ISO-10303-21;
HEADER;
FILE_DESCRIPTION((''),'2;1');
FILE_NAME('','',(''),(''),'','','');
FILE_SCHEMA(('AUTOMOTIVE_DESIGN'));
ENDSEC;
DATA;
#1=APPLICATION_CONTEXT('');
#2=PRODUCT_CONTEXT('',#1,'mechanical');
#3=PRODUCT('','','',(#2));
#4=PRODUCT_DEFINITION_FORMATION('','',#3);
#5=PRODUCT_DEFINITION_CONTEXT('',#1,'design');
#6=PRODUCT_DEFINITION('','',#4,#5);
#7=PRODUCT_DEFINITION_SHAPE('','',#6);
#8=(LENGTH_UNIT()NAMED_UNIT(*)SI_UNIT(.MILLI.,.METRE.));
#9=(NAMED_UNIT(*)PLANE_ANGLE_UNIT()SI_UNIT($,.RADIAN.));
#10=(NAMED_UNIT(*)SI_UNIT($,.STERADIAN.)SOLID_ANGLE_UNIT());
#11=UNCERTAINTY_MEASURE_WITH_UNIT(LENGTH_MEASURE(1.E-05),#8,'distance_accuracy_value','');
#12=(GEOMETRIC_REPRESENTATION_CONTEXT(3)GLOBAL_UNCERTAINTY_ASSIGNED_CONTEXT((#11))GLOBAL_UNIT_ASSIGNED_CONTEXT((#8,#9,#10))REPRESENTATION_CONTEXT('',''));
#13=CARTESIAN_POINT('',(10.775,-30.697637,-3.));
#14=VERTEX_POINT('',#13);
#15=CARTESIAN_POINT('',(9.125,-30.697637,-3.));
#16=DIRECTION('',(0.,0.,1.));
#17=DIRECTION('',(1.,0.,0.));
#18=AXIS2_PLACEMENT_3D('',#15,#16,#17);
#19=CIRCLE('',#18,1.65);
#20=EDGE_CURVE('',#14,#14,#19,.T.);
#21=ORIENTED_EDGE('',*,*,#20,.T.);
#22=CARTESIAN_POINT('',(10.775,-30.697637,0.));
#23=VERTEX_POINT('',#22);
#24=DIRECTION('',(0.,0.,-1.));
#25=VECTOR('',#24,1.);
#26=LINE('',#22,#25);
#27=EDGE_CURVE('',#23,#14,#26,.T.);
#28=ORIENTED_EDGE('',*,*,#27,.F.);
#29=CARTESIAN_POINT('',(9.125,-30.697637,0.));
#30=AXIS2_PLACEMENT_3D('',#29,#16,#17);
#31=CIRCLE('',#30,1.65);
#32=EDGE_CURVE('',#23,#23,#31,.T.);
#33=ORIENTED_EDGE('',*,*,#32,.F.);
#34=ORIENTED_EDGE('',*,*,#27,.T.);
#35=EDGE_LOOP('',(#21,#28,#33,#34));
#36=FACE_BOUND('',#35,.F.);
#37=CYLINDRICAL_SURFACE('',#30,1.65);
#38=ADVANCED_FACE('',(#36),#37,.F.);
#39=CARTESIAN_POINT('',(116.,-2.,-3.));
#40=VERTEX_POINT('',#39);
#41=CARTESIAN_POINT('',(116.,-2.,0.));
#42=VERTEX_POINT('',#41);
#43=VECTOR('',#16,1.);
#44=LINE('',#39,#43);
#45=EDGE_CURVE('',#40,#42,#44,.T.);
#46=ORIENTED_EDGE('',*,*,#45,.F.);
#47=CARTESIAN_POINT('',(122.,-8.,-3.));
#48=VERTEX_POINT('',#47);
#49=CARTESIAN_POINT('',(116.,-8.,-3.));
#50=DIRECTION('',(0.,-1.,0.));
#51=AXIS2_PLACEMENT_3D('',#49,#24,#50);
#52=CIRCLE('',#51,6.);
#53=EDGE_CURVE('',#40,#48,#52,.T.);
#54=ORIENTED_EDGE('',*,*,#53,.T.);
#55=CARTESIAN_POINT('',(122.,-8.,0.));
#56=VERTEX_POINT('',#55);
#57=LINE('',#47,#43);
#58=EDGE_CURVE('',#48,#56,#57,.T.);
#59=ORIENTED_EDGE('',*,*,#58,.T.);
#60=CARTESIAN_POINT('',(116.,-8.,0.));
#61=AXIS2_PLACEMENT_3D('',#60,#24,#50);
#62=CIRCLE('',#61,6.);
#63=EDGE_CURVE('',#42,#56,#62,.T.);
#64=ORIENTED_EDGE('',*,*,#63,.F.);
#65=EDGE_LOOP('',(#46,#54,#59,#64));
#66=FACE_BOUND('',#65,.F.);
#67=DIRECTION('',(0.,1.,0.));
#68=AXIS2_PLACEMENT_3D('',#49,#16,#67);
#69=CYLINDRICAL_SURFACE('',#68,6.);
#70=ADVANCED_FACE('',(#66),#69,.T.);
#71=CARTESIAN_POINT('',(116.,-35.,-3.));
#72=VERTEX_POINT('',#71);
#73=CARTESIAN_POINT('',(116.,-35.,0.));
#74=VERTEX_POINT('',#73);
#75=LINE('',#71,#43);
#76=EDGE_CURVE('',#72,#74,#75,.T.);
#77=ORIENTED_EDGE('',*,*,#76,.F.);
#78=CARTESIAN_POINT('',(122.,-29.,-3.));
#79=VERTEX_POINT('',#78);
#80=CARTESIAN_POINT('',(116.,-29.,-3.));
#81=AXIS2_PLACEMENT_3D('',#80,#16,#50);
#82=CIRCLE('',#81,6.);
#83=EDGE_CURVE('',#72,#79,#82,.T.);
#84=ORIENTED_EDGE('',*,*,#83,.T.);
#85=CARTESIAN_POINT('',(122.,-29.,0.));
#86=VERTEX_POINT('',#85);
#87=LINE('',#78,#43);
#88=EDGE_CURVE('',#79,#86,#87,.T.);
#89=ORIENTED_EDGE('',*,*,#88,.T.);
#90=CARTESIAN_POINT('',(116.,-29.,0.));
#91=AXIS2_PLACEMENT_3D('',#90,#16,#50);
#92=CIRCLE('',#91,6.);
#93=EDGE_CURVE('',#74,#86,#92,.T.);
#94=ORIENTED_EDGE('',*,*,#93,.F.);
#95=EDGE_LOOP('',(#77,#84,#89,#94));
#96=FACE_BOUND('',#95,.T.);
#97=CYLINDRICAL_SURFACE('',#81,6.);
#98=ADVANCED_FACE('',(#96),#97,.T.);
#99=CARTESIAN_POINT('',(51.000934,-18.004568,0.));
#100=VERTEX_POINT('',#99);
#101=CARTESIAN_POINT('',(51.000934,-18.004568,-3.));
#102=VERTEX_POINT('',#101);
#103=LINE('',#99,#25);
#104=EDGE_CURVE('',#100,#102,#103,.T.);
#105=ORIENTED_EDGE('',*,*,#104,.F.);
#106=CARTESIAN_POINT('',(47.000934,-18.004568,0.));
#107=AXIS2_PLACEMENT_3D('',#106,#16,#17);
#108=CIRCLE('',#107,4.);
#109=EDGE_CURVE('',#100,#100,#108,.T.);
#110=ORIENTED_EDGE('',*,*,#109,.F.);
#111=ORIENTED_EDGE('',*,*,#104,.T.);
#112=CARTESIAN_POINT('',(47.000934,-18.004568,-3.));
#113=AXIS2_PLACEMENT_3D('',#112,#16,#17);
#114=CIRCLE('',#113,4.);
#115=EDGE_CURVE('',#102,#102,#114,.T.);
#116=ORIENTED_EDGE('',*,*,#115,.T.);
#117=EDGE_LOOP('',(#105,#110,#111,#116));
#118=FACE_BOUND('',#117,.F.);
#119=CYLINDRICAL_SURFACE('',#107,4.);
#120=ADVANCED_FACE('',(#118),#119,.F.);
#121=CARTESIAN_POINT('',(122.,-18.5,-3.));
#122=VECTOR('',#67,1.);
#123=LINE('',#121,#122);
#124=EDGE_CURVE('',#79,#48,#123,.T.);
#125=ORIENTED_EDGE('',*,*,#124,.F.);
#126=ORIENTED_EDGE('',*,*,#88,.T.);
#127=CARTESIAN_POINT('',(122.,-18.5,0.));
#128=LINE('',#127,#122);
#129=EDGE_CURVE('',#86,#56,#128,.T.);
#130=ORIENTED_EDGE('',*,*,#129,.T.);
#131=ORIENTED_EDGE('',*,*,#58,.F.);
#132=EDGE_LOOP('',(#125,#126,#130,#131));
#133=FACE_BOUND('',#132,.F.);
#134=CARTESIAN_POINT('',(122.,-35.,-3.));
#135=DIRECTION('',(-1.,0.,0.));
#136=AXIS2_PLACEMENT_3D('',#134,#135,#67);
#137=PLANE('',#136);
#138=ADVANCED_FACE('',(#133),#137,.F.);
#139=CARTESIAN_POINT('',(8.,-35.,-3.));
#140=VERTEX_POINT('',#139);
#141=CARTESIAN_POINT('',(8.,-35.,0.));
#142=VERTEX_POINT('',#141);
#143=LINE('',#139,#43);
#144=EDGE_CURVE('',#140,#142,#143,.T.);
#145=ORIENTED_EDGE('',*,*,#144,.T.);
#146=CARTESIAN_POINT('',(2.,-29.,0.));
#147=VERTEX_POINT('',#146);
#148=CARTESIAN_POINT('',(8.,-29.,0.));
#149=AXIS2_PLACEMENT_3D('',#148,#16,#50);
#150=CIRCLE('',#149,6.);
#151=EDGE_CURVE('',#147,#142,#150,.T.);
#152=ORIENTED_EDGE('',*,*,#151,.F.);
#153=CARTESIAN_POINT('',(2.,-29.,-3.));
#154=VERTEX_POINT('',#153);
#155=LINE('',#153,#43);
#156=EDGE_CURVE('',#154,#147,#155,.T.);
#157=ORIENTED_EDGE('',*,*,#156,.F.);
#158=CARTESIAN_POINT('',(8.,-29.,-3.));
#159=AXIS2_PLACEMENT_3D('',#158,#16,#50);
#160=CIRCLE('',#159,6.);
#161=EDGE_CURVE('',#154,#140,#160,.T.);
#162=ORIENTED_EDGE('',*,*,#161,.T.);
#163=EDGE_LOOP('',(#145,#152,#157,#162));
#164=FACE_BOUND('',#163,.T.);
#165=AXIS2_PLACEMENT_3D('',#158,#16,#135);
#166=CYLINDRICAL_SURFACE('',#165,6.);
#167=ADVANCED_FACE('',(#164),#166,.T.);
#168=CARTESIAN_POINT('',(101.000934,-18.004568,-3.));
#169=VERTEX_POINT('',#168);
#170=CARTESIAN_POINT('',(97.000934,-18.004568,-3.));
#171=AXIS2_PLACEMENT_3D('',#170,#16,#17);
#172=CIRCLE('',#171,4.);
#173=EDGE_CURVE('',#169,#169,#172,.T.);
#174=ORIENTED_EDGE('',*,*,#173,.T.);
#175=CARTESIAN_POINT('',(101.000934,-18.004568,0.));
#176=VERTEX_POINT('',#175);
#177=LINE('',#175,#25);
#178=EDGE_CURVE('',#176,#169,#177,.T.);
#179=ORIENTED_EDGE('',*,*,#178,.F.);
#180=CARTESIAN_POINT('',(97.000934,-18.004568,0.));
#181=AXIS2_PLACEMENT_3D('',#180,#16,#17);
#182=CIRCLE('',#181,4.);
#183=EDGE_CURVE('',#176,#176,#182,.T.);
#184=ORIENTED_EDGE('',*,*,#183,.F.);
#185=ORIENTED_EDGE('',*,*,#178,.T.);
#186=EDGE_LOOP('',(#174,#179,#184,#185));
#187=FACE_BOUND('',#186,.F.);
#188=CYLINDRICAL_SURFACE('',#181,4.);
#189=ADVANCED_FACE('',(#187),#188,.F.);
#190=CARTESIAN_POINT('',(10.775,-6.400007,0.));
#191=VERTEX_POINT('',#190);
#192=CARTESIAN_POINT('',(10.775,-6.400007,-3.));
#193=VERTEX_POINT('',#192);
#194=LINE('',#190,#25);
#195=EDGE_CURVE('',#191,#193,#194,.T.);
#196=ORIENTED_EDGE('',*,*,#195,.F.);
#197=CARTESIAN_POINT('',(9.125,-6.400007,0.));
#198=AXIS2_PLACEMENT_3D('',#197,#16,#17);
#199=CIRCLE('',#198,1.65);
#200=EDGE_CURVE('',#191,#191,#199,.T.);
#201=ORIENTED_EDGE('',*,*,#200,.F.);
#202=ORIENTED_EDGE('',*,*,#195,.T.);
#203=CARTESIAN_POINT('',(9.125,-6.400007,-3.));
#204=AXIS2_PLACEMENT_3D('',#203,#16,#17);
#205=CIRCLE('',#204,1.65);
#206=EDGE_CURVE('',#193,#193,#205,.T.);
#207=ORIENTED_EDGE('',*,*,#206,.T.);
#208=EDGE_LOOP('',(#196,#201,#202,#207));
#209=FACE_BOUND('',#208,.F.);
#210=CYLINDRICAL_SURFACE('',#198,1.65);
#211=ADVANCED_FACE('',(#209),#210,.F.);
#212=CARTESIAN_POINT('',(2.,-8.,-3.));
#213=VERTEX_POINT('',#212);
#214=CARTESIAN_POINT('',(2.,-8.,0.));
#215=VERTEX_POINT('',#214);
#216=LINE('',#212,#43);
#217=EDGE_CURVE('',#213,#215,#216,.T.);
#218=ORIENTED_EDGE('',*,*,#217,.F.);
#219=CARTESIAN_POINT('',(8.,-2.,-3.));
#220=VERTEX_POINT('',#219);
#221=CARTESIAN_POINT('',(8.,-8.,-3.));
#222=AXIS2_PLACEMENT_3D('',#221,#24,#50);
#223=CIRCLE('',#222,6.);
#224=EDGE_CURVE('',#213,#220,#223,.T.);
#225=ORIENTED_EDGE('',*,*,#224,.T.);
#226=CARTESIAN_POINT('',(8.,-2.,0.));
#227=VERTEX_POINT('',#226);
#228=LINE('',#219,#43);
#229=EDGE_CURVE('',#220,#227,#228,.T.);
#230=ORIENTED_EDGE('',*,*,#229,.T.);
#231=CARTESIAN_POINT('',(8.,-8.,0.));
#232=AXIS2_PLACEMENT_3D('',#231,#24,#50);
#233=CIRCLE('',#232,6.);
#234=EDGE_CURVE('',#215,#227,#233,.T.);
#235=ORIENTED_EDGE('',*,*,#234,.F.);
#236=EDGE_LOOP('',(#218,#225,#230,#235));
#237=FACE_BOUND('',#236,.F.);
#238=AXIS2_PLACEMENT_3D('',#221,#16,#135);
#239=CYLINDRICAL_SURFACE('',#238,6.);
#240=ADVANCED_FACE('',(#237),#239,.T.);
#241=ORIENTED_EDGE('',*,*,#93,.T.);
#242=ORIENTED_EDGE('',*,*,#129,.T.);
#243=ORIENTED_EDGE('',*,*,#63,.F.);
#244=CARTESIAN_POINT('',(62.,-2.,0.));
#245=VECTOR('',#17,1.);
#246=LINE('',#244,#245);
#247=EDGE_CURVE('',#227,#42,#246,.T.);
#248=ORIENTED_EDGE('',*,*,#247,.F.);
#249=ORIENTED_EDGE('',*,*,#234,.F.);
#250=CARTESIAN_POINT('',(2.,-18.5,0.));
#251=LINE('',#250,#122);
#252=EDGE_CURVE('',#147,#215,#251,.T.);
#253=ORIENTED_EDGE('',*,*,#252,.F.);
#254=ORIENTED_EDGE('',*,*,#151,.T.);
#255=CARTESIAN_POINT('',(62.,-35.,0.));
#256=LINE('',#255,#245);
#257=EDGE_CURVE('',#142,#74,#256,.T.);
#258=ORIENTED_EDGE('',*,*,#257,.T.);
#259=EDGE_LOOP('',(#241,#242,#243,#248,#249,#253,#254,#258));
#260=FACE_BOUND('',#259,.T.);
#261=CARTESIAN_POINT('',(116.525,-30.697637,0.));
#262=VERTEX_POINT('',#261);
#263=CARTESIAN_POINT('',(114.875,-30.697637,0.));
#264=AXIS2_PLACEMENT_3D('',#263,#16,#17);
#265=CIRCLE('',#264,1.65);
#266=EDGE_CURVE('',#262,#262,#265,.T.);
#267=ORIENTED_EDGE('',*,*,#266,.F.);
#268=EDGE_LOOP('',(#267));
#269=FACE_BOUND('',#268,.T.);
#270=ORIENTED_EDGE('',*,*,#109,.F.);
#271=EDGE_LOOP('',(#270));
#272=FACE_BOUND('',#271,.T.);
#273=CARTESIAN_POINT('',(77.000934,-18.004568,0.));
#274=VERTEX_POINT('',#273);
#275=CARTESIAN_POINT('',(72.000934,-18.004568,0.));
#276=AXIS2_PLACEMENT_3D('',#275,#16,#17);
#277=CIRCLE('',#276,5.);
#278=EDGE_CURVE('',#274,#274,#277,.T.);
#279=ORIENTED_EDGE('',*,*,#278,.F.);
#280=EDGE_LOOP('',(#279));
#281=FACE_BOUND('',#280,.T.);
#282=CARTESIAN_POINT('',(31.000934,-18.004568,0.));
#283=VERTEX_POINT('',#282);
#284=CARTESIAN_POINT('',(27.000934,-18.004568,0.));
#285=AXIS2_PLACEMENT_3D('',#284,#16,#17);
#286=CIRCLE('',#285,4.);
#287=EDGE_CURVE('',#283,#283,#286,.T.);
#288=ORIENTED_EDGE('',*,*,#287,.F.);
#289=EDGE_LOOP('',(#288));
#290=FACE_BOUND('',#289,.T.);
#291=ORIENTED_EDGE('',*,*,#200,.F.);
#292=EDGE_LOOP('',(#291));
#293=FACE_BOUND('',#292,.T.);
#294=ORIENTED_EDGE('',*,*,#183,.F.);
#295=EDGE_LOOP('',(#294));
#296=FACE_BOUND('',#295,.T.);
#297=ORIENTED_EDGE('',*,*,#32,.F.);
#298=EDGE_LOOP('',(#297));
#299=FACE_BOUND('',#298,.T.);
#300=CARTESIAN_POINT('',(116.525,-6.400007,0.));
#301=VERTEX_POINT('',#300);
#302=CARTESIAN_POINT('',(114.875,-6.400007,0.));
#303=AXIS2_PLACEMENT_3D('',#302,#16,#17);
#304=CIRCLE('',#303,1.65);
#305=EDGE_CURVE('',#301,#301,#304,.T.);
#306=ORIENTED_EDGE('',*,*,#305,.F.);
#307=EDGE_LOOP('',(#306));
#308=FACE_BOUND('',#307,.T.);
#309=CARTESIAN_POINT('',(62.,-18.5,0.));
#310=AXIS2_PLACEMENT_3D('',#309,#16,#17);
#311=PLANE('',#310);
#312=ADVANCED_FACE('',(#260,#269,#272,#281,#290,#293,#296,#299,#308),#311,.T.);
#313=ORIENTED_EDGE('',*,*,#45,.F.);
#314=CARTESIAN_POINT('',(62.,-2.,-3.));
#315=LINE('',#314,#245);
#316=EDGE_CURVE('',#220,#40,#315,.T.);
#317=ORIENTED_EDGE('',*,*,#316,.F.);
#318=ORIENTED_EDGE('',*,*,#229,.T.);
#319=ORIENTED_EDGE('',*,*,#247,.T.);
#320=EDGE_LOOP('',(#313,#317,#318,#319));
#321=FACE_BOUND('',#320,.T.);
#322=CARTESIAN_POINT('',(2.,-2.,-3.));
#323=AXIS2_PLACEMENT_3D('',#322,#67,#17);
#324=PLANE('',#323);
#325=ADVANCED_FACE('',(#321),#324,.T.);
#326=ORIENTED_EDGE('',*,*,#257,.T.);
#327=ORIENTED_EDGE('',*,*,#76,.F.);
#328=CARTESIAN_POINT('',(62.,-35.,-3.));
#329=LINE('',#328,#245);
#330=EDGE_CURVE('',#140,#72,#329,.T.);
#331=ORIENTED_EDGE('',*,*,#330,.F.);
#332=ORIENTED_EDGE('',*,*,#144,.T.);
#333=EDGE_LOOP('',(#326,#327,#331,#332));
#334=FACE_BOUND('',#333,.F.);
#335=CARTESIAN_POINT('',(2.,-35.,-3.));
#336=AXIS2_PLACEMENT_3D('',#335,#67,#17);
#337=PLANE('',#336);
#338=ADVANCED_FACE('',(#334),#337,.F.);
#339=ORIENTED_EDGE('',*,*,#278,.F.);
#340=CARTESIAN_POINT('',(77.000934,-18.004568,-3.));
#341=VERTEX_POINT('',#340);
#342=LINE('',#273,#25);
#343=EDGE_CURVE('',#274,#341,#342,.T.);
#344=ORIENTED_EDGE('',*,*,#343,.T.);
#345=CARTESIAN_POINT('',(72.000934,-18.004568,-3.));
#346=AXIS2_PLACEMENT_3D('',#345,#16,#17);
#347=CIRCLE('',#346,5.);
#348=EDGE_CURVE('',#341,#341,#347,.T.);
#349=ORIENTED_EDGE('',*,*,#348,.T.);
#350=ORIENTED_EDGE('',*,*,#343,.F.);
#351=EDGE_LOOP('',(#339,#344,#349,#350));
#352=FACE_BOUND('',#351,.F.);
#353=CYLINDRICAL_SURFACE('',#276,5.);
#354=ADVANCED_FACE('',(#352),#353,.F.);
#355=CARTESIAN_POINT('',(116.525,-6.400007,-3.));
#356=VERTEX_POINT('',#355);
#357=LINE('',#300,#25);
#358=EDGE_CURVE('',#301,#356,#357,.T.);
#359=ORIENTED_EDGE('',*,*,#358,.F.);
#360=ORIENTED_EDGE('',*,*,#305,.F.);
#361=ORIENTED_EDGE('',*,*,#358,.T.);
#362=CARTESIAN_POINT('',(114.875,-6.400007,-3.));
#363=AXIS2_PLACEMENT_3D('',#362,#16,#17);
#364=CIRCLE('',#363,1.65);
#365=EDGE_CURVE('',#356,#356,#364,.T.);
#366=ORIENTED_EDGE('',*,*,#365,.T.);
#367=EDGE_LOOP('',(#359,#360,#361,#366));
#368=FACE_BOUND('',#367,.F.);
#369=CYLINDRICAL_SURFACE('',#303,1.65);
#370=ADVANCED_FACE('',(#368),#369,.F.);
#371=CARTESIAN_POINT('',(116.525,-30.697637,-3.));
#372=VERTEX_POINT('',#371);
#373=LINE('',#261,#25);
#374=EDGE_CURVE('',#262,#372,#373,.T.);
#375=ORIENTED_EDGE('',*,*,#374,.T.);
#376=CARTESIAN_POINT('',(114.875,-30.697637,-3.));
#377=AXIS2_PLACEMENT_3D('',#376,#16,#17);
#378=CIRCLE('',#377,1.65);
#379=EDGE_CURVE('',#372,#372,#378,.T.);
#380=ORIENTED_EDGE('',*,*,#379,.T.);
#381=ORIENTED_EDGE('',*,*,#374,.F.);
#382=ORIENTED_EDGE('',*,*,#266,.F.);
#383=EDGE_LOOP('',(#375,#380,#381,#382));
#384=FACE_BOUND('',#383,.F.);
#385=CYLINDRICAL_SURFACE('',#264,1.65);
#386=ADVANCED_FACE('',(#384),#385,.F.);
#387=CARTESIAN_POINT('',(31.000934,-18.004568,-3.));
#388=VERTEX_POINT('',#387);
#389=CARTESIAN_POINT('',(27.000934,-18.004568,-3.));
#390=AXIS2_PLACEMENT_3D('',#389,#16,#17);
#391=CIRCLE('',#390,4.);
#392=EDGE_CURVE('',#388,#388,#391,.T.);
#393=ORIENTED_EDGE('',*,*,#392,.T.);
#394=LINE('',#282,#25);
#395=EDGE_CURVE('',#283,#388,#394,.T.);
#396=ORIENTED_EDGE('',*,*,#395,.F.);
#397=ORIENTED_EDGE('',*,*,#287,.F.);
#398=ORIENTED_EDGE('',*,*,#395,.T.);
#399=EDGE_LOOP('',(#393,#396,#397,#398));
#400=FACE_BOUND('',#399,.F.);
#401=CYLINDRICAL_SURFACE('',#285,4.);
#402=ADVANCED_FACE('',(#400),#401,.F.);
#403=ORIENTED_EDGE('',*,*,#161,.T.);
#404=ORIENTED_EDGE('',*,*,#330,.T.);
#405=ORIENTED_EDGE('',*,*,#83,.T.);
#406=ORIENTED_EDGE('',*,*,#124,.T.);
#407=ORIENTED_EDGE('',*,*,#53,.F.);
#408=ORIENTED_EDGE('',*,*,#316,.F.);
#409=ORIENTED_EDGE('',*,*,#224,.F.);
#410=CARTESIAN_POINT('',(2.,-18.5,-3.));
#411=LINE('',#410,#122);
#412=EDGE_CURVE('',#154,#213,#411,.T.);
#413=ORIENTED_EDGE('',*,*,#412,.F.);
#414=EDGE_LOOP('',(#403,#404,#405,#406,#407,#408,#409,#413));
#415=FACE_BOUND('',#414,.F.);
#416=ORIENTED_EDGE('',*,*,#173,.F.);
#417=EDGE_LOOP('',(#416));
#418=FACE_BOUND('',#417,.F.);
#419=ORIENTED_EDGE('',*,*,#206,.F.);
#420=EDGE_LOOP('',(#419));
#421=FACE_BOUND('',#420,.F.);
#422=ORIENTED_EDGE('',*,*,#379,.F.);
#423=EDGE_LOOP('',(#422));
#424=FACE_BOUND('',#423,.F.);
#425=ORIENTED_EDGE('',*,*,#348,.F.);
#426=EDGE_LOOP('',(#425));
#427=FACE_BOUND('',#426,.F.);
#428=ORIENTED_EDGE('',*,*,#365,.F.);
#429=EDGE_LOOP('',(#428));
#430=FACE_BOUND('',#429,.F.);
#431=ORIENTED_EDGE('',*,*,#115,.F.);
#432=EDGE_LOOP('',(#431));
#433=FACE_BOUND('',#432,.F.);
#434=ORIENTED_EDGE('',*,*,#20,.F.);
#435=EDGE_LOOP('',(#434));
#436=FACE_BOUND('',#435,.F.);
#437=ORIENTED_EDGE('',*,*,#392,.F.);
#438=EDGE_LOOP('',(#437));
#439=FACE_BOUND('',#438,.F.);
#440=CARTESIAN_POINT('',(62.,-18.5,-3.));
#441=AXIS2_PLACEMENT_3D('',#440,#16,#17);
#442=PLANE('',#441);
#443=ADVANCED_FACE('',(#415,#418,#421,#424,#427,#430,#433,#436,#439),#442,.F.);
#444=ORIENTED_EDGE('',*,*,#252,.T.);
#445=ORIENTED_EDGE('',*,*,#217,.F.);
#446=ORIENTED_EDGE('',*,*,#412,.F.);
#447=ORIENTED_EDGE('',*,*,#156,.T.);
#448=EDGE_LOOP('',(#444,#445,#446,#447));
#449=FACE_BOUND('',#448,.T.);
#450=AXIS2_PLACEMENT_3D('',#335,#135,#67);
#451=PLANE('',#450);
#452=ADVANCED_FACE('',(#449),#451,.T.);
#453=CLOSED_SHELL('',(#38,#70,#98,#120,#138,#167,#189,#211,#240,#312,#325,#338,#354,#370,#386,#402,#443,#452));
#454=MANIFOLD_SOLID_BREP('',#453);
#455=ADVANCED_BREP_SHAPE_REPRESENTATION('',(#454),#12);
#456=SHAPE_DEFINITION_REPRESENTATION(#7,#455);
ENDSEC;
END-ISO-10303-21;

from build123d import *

# Parameters (mm, degrees)
SKETCH_W        = 120
SKETCH_H        = 33
PAD_DEPTH       = 3
SKETCH195_R     = 4
SKETCH195_R_2   = 5
POCKET_DEPTH    = 5
SKETCH196_R     = 1.65
POCKET137_DEPTH = 5
FILLET_R        = 6


with BuildPart() as part:
    # Sketch → Pad (new body)
    with BuildSketch(Plane.XY):
        with Locations((60, -56.515431)):
            Rectangle(SKETCH_W, SKETCH_H)
    extrude(amount=PAD_DEPTH)

    # Sketch195 (on Face6 of Pad) → Pocket (cut)
    with BuildSketch(Plane.XY.offset(3)):
        with Locations((25.000934, -56.019999)):
            Circle(SKETCH195_R)
        with Locations((45.000934, -56.019999)):
            Circle(SKETCH195_R)
        with Locations((70.000934, -56.019999)):
            Circle(SKETCH195_R_2)
        with Locations((95.000934, -56.019999)):
            Circle(SKETCH195_R)
    extrude(amount=-POCKET_DEPTH, mode=Mode.SUBTRACT)

    # Sketch196 (on Face5 of Pocket) → Pocket137 (cut)
    with BuildSketch(Plane.XY.offset(3)):
        with Locations((7.125, -44.415438)):
            Circle(SKETCH196_R)
        with Locations((112.875, -68.713068)):
            Circle(SKETCH196_R)
        with Locations((112.875, -44.415438)):
            Circle(SKETCH196_R)
        with Locations((7.125, -68.713068)):
            Circle(SKETCH196_R)
    extrude(amount=-POCKET137_DEPTH, mode=Mode.SUBTRACT)

    # Fillet
    fillet_edges = [part.edges().sort_by_distance(p)[0] for p in [
        (0, -73.015431, 1.5),
        (0, -40.015431, 1.5),
        (120, -73.015431, 1.5),
        (120, -40.015431, 1.5),
    ]]
    fillet(fillet_edges, radius=FILLET_R)


with BuildPart() as part_1:
    # Clone placement: moved
    add(part.part.moved(Location((2, 38.015431, -3))))


solid = part_1.part
